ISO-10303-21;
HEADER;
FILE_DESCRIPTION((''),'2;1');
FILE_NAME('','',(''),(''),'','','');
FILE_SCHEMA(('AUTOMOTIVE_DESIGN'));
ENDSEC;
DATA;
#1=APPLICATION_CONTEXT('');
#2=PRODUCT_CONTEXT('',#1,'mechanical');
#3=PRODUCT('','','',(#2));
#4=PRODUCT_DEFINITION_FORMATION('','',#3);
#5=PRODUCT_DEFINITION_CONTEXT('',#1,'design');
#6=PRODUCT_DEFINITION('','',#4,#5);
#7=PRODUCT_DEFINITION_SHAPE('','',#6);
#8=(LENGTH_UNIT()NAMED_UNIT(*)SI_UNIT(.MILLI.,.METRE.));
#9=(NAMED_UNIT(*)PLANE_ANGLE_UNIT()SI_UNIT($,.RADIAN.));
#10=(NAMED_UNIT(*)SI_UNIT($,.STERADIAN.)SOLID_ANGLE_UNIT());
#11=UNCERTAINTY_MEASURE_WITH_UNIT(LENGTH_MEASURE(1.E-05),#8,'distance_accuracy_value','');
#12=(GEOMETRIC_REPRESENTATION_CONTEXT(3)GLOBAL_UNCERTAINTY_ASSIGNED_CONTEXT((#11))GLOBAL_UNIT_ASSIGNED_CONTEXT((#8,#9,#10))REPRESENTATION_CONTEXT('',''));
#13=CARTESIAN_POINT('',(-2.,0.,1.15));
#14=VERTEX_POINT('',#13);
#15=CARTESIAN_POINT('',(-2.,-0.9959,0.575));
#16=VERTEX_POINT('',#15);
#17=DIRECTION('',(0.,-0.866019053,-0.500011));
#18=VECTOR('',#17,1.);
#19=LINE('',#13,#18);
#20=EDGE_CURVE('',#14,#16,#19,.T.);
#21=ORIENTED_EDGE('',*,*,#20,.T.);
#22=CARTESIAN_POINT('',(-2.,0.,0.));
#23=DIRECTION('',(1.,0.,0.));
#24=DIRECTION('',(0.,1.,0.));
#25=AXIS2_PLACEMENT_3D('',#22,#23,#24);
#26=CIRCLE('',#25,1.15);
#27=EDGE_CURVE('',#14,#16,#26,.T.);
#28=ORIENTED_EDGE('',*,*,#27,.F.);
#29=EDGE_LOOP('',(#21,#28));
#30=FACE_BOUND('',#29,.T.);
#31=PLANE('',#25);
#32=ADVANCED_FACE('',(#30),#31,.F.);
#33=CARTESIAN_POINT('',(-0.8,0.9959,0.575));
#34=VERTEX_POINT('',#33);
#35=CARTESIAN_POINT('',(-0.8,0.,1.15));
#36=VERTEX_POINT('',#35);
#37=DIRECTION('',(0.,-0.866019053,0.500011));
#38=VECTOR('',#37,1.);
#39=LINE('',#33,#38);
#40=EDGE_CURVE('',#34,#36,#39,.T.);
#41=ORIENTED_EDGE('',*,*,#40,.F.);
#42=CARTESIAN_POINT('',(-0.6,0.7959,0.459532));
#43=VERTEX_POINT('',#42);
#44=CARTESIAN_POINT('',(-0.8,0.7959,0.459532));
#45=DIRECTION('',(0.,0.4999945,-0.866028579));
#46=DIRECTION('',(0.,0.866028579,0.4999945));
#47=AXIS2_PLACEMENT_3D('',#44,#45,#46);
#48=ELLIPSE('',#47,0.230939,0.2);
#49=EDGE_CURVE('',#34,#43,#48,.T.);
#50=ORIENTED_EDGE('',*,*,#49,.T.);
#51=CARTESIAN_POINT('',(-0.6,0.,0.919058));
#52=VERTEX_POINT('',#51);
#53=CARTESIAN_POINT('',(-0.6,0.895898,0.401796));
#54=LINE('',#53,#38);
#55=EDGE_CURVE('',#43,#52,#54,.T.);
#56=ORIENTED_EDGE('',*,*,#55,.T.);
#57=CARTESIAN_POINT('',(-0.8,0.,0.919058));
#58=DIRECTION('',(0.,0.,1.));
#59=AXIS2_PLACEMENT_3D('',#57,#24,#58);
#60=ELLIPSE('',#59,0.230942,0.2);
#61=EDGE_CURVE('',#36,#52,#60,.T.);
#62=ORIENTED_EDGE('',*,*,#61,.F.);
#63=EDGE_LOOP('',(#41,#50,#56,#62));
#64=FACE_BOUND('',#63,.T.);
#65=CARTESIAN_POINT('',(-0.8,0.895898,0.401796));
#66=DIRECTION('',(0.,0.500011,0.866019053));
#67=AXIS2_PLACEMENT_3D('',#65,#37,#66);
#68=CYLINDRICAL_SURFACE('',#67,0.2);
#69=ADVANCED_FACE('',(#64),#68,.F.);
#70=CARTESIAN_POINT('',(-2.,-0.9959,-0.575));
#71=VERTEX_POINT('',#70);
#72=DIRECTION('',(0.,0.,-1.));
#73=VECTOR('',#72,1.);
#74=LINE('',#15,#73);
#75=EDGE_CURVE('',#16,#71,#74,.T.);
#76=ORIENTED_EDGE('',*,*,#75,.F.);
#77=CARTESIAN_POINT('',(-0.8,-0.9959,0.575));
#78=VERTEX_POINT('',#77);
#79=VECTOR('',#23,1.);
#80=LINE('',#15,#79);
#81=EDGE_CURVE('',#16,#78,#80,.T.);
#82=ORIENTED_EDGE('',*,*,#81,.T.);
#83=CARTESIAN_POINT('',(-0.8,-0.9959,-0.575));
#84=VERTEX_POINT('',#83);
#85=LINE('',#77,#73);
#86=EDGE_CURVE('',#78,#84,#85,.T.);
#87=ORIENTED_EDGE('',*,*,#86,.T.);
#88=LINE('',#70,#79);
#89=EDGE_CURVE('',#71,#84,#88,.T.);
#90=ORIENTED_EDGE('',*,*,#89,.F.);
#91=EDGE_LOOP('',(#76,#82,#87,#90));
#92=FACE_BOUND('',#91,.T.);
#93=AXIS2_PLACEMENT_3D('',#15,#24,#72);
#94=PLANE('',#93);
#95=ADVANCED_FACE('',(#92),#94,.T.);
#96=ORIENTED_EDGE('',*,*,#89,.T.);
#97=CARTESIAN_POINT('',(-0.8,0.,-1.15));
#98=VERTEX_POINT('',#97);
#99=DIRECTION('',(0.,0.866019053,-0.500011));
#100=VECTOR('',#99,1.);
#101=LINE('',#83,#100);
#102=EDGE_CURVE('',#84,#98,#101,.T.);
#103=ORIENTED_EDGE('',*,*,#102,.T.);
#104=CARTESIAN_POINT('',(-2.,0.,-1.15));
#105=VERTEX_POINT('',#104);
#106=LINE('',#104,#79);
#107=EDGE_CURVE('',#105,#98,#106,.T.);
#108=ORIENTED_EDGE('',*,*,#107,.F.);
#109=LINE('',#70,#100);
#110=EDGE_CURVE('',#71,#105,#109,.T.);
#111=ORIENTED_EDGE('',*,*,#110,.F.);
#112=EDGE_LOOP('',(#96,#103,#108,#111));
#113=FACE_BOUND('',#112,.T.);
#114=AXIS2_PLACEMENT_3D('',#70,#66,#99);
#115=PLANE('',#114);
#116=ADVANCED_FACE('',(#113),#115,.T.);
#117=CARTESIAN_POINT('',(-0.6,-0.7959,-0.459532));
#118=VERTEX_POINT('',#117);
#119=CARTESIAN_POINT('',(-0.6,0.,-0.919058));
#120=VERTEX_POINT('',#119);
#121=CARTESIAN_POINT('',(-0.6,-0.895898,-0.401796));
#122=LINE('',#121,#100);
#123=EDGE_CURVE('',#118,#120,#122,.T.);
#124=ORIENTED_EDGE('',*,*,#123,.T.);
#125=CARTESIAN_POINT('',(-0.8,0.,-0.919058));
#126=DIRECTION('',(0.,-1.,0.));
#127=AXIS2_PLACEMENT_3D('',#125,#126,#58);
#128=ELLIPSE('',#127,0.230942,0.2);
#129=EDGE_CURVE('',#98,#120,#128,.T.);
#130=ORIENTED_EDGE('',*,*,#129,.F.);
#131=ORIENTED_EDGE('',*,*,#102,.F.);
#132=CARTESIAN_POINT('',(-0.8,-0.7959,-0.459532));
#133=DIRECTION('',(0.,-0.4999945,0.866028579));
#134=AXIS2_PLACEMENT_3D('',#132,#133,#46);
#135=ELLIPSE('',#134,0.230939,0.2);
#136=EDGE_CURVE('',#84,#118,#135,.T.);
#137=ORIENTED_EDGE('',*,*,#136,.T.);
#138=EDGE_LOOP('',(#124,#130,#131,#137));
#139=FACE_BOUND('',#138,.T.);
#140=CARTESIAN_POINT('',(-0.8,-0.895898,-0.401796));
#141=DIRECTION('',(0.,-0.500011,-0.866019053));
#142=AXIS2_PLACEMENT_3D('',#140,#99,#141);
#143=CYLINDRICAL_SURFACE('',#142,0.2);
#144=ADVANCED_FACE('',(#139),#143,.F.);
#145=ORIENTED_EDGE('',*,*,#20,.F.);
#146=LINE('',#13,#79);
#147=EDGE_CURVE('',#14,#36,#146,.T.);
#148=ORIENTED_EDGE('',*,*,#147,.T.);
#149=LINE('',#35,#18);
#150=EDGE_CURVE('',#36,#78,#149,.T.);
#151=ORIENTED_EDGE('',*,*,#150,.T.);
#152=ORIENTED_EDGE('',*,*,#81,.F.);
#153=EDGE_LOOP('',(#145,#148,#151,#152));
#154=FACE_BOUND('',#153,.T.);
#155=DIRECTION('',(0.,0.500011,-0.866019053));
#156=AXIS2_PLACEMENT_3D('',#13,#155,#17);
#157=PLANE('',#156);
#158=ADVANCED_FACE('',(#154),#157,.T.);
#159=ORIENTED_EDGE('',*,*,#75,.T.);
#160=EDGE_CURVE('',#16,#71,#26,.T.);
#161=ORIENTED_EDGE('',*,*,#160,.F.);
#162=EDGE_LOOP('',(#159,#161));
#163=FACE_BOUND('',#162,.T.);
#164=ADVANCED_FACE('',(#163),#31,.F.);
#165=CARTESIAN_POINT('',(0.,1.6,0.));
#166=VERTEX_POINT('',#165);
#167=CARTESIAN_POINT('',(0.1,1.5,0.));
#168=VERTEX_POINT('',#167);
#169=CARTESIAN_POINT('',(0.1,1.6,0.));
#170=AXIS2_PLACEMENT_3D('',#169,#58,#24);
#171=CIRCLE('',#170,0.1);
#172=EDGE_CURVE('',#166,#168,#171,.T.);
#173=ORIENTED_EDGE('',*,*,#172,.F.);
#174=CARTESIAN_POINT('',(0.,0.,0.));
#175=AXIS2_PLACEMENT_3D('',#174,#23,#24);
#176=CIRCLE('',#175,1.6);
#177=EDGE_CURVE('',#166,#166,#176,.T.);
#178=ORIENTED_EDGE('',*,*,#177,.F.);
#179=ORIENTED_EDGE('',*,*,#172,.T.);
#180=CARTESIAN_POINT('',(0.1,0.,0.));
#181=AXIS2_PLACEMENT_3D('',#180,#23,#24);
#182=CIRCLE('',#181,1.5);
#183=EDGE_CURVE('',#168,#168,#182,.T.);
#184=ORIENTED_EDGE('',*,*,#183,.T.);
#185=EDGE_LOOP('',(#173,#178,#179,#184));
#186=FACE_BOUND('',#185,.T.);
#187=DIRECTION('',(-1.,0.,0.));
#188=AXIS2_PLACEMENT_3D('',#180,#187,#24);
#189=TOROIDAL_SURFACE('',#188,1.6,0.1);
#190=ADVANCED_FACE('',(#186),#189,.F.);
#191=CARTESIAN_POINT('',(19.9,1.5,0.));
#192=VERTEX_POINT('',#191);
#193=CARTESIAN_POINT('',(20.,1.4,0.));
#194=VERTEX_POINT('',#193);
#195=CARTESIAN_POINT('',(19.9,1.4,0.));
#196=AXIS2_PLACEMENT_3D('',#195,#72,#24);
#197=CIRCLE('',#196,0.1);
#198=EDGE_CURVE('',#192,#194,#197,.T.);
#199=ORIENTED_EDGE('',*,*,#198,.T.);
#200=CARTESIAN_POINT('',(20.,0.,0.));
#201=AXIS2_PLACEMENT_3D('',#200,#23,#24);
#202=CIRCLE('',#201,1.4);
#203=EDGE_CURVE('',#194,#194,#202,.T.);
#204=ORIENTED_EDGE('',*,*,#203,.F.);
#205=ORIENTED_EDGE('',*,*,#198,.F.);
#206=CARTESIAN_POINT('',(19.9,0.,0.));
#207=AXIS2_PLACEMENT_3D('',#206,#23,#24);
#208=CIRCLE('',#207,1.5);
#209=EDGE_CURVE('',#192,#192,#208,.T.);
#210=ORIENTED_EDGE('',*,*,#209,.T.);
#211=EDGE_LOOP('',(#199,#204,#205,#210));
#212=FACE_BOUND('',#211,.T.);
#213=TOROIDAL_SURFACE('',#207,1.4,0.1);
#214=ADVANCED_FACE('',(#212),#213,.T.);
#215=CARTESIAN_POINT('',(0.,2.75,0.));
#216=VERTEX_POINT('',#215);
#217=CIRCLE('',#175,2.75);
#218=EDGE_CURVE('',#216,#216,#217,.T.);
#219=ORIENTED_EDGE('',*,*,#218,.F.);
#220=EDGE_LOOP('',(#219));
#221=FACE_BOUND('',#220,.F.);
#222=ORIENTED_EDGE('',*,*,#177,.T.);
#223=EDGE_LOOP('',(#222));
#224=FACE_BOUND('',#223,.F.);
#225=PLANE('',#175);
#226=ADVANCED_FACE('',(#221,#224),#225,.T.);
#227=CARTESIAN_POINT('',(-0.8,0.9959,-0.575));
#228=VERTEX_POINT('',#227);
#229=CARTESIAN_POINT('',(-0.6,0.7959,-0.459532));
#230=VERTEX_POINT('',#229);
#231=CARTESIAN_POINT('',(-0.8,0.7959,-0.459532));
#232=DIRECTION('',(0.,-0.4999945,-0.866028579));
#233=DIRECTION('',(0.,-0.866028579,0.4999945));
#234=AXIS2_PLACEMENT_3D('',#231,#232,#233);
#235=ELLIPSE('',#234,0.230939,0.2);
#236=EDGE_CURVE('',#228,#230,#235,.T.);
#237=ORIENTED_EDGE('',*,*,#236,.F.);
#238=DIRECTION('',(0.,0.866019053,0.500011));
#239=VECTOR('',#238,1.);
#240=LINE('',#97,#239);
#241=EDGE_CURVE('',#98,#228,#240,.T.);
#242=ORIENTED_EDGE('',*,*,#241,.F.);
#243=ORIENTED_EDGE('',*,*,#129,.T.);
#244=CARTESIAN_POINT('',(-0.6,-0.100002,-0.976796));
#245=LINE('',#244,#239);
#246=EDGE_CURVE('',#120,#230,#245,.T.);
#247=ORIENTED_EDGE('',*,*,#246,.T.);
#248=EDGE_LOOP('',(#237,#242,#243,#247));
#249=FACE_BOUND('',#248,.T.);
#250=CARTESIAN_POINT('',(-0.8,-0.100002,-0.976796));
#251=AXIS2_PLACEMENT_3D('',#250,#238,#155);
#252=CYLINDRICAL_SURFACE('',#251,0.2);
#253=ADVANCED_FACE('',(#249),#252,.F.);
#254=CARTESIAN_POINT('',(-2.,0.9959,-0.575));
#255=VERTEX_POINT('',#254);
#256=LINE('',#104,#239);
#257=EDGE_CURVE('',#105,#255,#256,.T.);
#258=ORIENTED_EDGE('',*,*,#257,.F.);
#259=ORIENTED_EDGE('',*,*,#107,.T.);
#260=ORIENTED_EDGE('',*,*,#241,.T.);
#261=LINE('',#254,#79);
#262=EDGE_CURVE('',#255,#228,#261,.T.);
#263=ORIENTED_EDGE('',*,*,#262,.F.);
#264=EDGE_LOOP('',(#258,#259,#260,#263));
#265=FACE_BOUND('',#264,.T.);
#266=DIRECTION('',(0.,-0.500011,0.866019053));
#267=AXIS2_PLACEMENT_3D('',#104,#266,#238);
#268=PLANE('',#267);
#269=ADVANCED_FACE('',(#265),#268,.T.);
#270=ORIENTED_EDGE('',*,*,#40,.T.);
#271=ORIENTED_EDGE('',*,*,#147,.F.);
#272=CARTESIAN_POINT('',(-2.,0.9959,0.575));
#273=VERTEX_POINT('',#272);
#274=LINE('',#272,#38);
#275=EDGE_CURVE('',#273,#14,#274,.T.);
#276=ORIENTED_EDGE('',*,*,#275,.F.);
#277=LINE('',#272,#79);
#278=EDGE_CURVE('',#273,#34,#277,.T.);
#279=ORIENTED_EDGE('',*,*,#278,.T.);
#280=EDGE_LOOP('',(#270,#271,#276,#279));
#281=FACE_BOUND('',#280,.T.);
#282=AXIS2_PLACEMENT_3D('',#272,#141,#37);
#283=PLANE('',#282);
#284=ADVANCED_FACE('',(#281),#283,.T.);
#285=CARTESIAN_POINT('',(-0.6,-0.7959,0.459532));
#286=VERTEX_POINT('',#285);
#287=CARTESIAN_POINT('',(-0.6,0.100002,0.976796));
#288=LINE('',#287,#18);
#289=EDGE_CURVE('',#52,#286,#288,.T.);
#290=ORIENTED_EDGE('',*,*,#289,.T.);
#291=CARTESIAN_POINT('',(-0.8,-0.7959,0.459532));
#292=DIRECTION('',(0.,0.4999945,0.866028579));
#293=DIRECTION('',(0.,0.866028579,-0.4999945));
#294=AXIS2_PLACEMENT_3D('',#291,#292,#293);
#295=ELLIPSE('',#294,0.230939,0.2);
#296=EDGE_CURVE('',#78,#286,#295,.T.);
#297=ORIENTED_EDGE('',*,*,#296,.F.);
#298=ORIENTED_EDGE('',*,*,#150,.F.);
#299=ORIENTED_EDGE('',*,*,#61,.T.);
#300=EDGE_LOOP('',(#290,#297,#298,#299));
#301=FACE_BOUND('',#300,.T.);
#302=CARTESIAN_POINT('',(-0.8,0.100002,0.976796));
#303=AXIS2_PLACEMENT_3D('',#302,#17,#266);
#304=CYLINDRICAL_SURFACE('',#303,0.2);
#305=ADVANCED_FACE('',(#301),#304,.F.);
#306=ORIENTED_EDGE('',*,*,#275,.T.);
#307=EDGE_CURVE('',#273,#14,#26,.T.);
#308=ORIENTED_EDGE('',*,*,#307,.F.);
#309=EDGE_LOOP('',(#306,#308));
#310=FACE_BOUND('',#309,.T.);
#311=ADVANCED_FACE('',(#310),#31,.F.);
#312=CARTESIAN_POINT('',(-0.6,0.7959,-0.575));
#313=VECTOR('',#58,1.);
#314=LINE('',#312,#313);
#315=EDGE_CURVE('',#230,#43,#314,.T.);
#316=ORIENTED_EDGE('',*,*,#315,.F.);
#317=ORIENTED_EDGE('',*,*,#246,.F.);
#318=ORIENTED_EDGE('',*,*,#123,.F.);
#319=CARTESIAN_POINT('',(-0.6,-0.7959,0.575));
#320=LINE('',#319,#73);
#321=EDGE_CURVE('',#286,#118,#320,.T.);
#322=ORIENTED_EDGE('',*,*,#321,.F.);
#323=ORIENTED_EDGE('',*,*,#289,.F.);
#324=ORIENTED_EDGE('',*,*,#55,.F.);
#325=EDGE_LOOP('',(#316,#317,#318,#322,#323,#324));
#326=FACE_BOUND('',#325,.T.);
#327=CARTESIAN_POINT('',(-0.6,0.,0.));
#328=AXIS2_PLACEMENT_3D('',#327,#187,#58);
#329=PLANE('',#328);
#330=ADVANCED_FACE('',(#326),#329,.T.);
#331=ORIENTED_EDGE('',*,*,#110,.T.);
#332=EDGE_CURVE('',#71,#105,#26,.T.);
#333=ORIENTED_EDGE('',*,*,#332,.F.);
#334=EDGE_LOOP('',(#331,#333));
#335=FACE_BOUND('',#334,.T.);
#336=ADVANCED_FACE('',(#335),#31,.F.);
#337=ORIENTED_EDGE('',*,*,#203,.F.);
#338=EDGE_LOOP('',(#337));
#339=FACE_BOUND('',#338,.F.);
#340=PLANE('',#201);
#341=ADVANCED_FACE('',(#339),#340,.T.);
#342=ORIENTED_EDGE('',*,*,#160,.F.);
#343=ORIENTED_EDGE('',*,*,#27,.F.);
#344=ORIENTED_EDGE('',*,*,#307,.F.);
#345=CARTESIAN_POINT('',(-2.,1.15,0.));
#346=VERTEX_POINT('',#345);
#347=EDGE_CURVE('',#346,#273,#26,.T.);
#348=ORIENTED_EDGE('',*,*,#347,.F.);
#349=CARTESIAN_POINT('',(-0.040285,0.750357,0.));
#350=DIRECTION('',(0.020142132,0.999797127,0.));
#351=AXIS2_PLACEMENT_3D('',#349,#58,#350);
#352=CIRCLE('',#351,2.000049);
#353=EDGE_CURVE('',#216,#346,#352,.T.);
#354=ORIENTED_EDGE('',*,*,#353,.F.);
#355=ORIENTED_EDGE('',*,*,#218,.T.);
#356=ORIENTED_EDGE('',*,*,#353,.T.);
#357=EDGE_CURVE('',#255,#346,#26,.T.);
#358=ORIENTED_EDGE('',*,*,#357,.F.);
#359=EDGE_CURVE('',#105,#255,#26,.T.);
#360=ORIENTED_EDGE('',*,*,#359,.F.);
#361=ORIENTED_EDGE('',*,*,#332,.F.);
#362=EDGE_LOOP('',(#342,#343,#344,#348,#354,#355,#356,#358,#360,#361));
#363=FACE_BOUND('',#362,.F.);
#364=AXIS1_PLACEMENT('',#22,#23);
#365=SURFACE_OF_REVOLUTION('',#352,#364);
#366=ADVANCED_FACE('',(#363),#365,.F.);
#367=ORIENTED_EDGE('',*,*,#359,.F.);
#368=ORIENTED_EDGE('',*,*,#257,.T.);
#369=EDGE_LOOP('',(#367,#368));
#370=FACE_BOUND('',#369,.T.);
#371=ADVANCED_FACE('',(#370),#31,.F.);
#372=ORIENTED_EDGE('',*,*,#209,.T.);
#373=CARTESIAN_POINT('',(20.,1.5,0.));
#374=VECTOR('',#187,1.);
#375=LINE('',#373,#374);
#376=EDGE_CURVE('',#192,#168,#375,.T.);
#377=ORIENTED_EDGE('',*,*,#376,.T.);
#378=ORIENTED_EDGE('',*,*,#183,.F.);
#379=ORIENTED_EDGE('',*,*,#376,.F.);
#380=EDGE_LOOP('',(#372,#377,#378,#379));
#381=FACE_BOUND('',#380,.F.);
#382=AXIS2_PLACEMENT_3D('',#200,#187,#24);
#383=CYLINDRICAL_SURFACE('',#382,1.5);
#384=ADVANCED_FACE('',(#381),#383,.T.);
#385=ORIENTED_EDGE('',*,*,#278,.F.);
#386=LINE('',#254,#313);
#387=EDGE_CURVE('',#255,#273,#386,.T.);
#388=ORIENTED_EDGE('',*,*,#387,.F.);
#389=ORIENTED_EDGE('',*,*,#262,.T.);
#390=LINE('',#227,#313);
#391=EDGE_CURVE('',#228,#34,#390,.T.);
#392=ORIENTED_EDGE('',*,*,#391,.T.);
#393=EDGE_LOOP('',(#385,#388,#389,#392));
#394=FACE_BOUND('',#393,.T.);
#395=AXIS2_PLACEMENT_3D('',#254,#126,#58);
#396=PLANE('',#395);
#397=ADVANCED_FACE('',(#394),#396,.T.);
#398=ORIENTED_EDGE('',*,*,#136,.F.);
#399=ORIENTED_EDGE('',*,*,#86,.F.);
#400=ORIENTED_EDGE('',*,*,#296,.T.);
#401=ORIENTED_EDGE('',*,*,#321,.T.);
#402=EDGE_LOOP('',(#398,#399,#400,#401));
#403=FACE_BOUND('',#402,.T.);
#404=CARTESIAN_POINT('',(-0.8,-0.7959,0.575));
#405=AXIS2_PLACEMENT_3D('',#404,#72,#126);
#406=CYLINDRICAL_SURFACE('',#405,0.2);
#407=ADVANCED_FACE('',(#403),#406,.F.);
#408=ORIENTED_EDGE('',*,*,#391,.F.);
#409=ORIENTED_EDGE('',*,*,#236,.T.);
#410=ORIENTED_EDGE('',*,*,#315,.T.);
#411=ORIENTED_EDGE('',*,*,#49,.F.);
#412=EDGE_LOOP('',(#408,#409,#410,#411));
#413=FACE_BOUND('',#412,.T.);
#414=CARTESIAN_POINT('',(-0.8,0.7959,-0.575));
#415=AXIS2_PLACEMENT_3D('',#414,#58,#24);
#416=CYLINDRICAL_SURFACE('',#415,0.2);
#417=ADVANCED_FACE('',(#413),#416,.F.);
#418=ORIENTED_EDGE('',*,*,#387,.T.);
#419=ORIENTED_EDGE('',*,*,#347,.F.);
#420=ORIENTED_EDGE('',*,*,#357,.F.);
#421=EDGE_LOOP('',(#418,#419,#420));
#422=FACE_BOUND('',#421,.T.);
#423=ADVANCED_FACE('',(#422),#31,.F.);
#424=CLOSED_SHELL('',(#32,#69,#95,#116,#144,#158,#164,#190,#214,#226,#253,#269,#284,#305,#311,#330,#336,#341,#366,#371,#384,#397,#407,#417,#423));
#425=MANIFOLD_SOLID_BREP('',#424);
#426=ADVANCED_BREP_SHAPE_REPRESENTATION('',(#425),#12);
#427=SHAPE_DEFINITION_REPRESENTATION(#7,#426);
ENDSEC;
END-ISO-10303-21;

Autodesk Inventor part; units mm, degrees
ref_plane "YZ Plane" through (0, 0, 0) normal (1, 0, 0) x (0, 1, 0)
ref_plane "XZ Plane" through (0, 0, 0) normal (0, 1, 0) x (-1, 0, 0)
ref_plane "XY Plane" through (0, 0, 0) normal (0, 0, 1) x (1, 0, 0)
sketch "スケッチ1" plane through (0, 0, 0) normal (0, 0, 1) x (1, 0, 0)
  line L0 (0, 0) -> (20, 0)
  line L1 (20, 0) -> (20, 1.5)
  line L2 (20, 1.5) -> (0, 1.5)
  line L3 (0, 1.5) -> (0, 0)
  line L4 (0, 0) -> (0, 2.75)
  line L5 (0, 0) -> (-2, 0)
  line L6 (-2, 0) -> (0, 0)
  line L7 (-2, 0) -> (-2, 1.15)
  arc A0 (0, 2.75) -> (-2, 1.15) centre (-0.0403, 0.7504) ccw
  dimension "d0" = 1.5
  dimension "d1" = 20
  dimension "d3" = 2
  dimension "d4" = 2.75
  dimension "d5" = 1.15
  dimension "d6" = 2
revolve "回転1" add sketch "スケッチ1" angle 360 about axis through (-2, 0, 0) along (1, 0, 0)
thread "ねじ1" size "M3x0.5" class "6g" standard "ANSI Metric M Profile" length 100
sketch "スケッチ2" plane through (-2, 0, 0) normal (-1, 0, 0) x (0, 0, 1)
  circle A0 centre (0, 0) radius 1.15 projected
  line L0 (-0.575, 0.9959) -> (0.575, 0.9959)
  line L1 (0.575, 0.9959) -> (1.15, 0)
  line L2 (1.15, 0) -> (0.575, -0.9959)
  line L3 (0.575, -0.9959) -> (-0.575, -0.9959)
  line L4 (-0.575, -0.9959) -> (-1.15, 0)
  line L5 (-1.15, 0) -> (-0.575, 0.9959)
  dimension "d10" = 1.15
  dimension "d11" = 1.9919
extrude "押し出し1" cut sketch "スケッチ2" against normal blind 1.4 contours L2 L3 L4 L5 L0 L1
fillet "フィレット1" radius 0.2 6 edges at (-0.6, 0.9959, 0) (-0.6, 0.498, 0.8625) (-0.6, 0.498, -0.8625) (-0.6, -0.498, -0.8625) (-0.6, -0.9959, 0) (-0.6, -0.498, 0.8625)
fillet "フィレット2" radius 0.1 1 edges at (0, -1.5, 0)
fillet "フィレット3" radius 0.1 1 edges at (20, -1.5, 0)
properties part number "ネジボタンM3L20" material "鋼"
